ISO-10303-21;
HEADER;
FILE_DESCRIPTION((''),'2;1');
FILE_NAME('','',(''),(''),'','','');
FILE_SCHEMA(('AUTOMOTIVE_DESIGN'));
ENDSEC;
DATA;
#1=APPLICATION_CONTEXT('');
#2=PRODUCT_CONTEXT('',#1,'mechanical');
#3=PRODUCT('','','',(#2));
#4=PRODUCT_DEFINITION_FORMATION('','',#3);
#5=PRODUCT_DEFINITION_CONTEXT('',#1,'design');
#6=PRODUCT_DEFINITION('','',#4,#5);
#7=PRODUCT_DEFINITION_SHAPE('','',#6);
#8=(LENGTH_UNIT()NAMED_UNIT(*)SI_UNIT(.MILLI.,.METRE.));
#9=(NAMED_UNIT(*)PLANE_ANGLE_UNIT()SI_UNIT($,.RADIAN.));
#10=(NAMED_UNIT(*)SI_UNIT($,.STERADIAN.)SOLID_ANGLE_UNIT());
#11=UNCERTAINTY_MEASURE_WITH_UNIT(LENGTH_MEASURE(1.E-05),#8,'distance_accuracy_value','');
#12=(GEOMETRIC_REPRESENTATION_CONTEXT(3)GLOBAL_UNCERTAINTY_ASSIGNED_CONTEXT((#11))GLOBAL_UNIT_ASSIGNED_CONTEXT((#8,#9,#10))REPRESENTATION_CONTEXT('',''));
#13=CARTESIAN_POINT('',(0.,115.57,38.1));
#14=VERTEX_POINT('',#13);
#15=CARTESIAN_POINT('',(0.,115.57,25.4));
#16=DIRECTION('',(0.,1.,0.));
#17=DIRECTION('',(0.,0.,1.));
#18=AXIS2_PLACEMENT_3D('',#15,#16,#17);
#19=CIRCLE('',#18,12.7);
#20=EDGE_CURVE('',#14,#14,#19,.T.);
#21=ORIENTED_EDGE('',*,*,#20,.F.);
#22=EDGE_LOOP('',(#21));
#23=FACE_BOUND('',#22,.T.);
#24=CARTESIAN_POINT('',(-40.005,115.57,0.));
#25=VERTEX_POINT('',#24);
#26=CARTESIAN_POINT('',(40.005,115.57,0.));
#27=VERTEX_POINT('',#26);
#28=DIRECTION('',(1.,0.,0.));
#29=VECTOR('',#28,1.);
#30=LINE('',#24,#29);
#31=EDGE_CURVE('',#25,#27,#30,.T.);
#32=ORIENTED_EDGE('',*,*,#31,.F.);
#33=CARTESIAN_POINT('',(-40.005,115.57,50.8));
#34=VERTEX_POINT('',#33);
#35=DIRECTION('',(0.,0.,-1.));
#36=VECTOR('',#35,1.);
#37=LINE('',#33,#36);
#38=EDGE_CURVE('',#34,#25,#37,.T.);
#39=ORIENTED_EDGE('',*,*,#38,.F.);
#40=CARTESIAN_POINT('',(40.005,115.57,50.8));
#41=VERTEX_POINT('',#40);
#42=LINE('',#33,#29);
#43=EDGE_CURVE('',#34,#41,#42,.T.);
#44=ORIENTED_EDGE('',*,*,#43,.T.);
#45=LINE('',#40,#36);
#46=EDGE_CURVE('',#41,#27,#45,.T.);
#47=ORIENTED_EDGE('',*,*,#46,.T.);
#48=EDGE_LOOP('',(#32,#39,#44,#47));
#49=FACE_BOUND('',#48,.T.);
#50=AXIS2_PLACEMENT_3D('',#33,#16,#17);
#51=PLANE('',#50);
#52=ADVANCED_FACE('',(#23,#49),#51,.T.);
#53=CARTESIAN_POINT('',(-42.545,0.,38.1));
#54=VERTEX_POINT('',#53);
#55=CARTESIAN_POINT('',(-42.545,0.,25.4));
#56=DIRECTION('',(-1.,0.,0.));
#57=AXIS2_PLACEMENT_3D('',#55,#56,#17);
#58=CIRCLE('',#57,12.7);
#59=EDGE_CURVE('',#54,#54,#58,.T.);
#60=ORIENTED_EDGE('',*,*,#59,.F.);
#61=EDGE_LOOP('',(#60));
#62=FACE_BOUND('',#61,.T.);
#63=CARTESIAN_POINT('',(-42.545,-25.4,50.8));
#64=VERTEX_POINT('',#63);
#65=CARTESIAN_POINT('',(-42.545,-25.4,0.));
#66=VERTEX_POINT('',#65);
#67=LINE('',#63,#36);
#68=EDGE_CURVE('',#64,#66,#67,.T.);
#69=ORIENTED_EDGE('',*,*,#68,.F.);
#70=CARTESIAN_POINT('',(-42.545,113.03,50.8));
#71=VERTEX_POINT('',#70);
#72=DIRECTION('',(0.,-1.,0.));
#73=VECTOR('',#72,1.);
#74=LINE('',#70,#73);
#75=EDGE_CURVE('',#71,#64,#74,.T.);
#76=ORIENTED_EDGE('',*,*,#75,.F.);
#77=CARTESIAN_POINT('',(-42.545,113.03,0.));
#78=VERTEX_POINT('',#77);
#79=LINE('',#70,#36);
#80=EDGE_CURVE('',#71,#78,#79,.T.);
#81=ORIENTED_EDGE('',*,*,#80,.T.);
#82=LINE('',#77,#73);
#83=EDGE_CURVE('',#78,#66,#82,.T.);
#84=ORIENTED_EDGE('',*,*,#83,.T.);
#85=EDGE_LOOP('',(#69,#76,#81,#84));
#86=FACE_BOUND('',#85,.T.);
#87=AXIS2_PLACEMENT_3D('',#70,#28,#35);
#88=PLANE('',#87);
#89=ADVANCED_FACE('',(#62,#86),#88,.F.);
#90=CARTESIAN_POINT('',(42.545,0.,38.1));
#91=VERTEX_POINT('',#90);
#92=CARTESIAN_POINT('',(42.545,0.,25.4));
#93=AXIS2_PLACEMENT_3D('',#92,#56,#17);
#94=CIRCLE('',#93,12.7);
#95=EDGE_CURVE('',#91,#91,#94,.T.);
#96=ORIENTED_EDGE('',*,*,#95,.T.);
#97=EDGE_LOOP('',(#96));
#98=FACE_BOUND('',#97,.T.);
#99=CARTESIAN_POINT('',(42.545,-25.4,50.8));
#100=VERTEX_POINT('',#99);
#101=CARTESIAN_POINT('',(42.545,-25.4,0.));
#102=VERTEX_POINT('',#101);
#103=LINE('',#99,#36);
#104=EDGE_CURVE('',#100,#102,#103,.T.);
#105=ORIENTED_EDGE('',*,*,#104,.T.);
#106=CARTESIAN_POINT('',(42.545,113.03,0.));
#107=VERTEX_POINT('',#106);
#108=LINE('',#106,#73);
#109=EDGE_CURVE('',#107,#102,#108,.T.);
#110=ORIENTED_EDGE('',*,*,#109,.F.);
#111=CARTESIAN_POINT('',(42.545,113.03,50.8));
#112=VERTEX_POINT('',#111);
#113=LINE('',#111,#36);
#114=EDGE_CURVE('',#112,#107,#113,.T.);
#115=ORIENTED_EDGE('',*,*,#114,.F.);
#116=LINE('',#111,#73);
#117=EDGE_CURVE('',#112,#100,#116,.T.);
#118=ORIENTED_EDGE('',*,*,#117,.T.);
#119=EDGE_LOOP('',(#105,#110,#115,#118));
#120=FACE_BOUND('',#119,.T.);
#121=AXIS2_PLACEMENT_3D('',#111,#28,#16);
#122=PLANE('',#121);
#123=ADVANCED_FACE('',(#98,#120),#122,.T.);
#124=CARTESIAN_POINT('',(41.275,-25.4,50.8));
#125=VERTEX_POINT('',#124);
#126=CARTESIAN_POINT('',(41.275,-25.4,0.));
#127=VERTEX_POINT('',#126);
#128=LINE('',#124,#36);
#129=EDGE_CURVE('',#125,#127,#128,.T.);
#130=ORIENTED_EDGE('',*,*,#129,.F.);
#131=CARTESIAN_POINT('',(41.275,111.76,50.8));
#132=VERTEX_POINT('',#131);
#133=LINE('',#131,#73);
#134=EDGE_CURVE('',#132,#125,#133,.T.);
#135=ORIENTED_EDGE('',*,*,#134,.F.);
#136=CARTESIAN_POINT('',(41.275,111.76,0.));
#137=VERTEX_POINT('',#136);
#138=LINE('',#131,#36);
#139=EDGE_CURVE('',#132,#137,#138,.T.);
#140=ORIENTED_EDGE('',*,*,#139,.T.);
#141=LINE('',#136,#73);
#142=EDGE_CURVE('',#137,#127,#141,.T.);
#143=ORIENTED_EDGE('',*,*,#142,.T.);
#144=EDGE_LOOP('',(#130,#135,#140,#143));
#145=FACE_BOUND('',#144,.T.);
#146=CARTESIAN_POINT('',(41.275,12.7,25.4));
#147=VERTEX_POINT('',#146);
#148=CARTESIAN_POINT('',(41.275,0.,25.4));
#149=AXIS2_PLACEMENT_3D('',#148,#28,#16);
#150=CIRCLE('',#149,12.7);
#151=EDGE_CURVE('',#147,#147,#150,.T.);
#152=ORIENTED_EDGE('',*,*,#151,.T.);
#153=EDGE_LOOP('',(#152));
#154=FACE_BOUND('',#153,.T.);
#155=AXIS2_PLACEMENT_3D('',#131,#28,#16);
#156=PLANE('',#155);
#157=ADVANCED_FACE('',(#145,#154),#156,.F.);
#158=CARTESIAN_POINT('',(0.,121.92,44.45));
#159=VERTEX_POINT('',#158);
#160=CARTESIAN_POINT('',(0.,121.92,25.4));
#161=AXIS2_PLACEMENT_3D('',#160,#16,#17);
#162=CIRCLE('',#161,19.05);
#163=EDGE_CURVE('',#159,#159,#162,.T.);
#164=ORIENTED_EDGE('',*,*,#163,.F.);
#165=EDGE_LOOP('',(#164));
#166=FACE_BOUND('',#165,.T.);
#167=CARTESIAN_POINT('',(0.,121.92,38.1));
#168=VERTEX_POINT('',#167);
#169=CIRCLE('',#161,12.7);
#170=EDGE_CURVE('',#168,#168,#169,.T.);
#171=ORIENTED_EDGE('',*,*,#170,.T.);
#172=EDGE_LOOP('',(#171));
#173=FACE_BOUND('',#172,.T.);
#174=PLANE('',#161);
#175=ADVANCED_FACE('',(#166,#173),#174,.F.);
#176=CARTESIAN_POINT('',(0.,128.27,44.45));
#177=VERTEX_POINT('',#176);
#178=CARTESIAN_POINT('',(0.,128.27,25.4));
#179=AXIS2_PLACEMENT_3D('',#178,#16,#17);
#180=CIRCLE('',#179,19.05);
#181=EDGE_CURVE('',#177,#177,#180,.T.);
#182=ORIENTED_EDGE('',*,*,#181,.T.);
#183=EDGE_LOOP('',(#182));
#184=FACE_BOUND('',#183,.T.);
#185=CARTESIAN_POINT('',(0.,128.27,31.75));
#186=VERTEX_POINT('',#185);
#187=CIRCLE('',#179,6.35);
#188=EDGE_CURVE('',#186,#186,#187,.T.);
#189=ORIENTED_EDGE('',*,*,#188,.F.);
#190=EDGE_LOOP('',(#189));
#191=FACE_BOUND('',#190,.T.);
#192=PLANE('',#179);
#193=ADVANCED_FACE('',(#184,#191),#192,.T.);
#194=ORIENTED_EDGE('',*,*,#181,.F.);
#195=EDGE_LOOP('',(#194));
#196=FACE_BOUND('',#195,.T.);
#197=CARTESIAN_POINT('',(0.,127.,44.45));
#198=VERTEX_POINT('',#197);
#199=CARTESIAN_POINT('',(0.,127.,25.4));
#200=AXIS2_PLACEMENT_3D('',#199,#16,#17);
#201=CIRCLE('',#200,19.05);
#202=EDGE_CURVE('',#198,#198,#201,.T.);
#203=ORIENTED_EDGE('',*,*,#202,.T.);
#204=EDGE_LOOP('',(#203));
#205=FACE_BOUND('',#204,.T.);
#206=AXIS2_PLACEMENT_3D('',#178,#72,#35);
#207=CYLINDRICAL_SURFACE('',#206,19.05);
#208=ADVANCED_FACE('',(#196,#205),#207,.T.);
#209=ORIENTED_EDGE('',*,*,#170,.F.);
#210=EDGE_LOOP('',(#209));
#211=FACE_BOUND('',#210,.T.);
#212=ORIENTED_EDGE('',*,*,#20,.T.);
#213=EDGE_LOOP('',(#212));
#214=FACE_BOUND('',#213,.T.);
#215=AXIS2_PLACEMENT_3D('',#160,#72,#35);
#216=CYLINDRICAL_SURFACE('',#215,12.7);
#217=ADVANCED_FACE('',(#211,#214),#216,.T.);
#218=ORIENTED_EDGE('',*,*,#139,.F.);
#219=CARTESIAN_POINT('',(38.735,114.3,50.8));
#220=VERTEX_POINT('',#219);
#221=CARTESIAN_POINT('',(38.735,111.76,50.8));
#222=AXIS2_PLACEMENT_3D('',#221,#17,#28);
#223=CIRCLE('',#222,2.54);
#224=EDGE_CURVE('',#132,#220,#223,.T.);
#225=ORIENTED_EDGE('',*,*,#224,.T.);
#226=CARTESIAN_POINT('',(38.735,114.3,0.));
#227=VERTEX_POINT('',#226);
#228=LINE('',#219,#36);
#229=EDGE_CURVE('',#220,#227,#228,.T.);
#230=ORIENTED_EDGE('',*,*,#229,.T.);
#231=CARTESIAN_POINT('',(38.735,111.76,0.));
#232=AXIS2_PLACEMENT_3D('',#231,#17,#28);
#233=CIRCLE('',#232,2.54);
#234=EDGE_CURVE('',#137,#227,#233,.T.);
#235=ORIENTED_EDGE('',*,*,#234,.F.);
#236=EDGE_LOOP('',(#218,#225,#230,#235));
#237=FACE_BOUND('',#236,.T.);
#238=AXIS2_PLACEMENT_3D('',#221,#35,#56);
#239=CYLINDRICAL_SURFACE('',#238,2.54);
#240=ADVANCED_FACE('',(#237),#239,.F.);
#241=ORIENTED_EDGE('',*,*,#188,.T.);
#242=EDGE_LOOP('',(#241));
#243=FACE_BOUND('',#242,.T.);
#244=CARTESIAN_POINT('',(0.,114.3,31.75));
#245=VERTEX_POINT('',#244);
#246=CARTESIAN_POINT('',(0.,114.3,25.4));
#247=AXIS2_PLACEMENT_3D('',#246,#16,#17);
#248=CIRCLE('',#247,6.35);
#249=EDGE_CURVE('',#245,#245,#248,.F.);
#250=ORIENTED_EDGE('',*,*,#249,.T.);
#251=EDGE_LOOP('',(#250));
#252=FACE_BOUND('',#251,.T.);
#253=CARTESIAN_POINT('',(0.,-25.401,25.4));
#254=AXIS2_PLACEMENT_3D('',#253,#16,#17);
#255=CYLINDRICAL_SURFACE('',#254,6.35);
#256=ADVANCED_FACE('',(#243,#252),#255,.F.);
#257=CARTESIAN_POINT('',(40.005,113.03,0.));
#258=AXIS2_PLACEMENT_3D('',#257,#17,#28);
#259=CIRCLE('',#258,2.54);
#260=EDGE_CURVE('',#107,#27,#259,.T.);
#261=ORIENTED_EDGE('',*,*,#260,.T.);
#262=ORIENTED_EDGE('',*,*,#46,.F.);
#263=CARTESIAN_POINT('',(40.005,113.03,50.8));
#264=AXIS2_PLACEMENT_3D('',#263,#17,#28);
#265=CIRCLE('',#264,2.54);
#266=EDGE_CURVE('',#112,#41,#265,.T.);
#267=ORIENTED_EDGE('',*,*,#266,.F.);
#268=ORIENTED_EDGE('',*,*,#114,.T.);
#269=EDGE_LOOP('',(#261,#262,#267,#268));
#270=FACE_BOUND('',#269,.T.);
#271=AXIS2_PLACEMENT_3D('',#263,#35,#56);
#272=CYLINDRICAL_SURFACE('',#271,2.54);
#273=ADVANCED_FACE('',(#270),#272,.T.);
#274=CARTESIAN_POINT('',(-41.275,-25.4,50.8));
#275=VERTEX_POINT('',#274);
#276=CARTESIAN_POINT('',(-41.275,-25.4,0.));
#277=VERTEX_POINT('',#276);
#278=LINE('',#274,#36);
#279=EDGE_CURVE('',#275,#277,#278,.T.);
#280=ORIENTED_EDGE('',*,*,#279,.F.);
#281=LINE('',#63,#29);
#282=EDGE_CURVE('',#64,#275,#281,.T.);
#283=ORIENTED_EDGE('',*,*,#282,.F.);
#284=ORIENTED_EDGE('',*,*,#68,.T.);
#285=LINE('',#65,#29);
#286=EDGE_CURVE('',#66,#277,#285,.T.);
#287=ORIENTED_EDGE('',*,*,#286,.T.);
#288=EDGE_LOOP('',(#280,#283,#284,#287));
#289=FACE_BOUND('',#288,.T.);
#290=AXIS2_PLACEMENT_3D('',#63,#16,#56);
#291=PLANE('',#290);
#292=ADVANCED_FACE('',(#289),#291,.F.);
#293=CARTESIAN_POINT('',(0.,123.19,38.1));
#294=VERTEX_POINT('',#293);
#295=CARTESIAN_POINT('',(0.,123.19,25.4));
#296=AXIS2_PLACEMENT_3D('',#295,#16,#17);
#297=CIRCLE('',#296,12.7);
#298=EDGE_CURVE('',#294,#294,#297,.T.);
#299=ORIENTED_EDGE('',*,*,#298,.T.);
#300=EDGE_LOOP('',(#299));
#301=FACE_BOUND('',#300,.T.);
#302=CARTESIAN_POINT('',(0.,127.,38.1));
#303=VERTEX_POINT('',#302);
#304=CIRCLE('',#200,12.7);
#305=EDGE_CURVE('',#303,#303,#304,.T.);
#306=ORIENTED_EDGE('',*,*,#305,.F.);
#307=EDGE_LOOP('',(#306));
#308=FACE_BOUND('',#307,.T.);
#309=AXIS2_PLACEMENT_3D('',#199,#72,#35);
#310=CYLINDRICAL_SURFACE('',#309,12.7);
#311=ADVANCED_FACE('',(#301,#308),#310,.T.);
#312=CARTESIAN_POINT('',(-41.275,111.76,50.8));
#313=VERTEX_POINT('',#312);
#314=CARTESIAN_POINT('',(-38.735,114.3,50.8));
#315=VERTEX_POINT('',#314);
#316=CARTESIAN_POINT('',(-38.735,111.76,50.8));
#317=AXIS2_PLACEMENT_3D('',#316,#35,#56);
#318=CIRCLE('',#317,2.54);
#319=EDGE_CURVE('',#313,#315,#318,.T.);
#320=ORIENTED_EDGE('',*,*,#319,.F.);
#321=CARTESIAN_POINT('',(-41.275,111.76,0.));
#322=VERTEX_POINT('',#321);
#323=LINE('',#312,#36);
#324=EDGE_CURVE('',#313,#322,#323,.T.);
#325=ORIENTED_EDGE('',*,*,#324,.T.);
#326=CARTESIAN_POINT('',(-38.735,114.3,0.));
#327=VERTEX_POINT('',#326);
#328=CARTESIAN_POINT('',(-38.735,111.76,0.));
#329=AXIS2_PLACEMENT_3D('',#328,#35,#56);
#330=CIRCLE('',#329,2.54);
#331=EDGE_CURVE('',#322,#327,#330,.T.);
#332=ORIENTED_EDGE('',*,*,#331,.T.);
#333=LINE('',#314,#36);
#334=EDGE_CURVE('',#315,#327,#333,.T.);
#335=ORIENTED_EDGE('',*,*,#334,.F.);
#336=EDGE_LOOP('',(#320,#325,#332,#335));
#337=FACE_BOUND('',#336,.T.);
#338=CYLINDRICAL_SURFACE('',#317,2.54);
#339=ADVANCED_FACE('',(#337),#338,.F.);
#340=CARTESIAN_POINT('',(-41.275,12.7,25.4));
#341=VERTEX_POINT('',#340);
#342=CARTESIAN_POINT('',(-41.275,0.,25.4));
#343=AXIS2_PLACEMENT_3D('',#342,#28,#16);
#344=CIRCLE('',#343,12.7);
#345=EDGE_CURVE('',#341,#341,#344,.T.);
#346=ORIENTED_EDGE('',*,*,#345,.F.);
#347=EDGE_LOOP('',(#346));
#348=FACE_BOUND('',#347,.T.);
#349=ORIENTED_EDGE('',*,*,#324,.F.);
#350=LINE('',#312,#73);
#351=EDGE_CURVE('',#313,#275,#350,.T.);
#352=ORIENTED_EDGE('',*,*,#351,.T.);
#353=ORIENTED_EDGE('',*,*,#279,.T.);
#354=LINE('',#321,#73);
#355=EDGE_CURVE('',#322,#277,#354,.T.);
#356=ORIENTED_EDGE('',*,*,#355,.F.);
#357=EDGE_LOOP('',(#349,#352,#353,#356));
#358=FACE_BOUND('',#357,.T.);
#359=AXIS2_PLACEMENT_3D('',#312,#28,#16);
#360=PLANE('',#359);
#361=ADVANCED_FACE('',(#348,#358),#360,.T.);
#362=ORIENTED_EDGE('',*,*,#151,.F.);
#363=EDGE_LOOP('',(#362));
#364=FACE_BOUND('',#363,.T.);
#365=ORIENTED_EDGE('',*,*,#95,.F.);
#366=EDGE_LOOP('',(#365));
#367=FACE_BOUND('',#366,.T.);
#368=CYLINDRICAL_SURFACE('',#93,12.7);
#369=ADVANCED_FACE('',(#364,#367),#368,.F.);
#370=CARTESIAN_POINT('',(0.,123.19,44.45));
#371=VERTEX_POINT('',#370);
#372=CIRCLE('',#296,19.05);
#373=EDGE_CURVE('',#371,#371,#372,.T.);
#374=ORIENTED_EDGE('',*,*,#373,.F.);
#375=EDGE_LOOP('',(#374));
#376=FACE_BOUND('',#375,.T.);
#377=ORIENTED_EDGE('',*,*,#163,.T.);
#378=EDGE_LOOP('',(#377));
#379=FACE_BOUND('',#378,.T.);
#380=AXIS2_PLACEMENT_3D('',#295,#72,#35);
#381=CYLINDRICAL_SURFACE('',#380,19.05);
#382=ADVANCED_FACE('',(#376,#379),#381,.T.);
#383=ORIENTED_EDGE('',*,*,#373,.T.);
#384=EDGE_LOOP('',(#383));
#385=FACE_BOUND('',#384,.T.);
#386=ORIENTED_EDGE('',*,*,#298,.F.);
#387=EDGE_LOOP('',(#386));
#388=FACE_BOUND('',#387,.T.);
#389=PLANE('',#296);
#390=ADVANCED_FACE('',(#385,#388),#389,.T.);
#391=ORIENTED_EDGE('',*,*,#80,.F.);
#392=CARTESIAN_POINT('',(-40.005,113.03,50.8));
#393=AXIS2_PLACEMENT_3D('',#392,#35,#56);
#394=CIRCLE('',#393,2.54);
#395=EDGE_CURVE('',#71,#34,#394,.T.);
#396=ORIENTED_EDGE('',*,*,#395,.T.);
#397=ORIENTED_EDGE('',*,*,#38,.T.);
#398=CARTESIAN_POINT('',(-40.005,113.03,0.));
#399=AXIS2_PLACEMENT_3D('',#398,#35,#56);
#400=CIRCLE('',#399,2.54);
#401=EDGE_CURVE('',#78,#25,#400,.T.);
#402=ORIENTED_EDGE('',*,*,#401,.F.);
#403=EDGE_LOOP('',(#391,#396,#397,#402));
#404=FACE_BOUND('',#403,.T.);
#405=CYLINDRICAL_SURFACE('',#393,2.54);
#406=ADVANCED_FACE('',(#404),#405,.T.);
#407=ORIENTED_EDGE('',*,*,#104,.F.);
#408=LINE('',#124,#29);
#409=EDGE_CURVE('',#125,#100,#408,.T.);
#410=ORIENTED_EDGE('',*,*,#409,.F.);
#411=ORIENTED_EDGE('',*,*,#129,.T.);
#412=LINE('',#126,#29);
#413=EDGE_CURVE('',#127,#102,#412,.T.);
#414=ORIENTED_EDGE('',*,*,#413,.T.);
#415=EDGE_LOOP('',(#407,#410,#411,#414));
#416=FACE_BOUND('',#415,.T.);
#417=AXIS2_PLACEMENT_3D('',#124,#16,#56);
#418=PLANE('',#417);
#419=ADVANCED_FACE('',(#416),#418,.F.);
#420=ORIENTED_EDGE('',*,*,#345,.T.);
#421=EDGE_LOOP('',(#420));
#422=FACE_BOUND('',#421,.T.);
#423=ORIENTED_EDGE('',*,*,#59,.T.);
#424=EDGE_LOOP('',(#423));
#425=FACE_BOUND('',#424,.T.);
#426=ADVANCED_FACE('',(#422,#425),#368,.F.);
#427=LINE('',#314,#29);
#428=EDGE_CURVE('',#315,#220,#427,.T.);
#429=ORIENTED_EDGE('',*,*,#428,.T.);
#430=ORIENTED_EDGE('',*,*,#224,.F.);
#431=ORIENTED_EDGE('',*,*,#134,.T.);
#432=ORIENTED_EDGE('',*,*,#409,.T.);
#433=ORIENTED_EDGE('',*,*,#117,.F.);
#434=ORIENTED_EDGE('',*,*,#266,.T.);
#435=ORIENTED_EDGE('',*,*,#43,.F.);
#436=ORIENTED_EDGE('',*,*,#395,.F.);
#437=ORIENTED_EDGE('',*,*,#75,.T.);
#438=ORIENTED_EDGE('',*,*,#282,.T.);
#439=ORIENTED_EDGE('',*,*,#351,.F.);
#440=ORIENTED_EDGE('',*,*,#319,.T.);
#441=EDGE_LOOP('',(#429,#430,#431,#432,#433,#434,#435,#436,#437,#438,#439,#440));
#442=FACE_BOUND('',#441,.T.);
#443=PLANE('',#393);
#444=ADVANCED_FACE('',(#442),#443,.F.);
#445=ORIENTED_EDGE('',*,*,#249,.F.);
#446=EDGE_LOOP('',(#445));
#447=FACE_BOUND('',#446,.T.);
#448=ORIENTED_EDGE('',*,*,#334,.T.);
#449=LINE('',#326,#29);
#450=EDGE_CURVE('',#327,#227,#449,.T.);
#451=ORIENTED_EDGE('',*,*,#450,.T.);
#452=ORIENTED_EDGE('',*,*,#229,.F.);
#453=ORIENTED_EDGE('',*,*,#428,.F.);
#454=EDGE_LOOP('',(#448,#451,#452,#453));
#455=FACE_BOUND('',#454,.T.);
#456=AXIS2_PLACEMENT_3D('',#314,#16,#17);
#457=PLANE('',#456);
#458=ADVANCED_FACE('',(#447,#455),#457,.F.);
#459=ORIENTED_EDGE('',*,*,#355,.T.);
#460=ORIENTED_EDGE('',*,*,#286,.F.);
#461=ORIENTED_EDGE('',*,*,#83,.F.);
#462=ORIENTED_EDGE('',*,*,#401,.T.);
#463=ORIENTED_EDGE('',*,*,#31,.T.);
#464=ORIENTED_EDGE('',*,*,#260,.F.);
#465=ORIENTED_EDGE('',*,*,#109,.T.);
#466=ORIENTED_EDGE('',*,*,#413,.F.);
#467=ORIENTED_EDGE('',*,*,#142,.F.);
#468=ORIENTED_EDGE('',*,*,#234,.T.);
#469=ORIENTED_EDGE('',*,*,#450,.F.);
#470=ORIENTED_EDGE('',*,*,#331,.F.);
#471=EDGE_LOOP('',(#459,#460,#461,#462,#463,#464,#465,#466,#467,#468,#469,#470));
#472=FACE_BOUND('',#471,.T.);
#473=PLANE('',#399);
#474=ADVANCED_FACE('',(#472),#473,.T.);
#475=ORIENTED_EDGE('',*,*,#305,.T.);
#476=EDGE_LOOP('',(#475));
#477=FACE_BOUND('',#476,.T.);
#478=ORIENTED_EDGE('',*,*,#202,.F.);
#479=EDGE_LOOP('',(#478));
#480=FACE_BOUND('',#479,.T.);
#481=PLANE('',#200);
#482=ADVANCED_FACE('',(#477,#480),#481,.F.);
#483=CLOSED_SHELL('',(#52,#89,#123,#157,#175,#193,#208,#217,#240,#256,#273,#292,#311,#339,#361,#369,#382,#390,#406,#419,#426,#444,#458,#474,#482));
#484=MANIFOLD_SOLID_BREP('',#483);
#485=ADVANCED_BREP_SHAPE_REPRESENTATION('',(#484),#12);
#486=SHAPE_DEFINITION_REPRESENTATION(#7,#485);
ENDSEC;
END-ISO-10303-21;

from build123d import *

# Parameters (mm, degrees)
BOSS_EXTRUDE1_DEPTH         = 50.8
SKETCH2_R                   = 12.7
CUT_EXTRUDE1_DEPTH          = 86.09
SKETCH3_R                   = 12.7
BOSS_EXTRUDE2_DEPTH         = 6.35
SKETCH4_R                   = 19.05
BOSS_EXTRUDE3_DEPTH         = 1.27
CUT_EXTRUDE2_REACH          = 150.59
SKETCH5_R                   = 6.35
SKETCH6_R                   = 12.7
BOSS_EXTRUDE4_DEPTH         = 3.81
SKETCH7_R                   = 19.05
BOSS_EXTRUDE5_DEPTH         = 1.27
F_1_16_0_5_DIAMETER_HOLE1_D = 12.7


with BuildPart() as part:
    # Sketch1 → Boss-Extrude1 (new body)
    with BuildSketch(Plane.XY):
        with BuildLine():
            Line((42.545, 113.03), (42.545, -25.4))
            Line((42.545, -25.4), (41.275, -25.4))
            Line((41.275, -25.4), (41.275, 111.76))
            ThreePointArc((41.275, 111.76), (40.531051224, 113.556051224), (38.735, 114.3))
            Line((38.735, 114.3), (-38.735, 114.3))
            ThreePointArc((-38.735, 114.3), (-40.531051224, 113.556051224), (-41.275, 111.76))
            Line((-41.275, 111.76), (-41.275, -25.4))
            Line((-41.275, -25.4), (-42.545, -25.4))
            Line((-42.545, -25.4), (-42.545, 113.03))
            ThreePointArc((-42.545, 113.03), (-41.801051224, 114.826051224), (-40.005, 115.57))
            Line((-40.005, 115.57), (40.005, 115.57))
            ThreePointArc((40.005, 115.57), (41.801051224, 114.826051224), (42.545, 113.03))
        make_face()
    extrude(amount=BOSS_EXTRUDE1_DEPTH)

    # Sketch2 → Cut-Extrude1 (cut, through all)
    with BuildSketch(Plane.ZY.offset(42.545)):
        with Locations((25.4, 0)):
            Circle(SKETCH2_R)
    extrude(amount=-CUT_EXTRUDE1_DEPTH, mode=Mode.SUBTRACT)

    # Sketch3 → Boss-Extrude2 (add)
    with BuildSketch(Plane(origin=(0, 115.57, 0), x_dir=(1, 0, 0), z_dir=(0, 1, 0))):
        with Locations((0, -25.4)):
            Circle(SKETCH3_R)
    extrude(amount=BOSS_EXTRUDE2_DEPTH)

    # Sketch4 → Boss-Extrude3 (add)
    with BuildSketch(Plane(origin=(0, 121.92, 0), x_dir=(1, 0, 0), z_dir=(0, 1, 0))):
        with Locations((0, -25.4)):
            Circle(SKETCH4_R)
    extrude(amount=BOSS_EXTRUDE3_DEPTH)

    # Sketch5 → Cut-Extrude2 (cut, up to next)
    with BuildSketch(Plane(origin=(0, 123.19, 0), x_dir=(1, 0, 0), z_dir=(0, 1, 0)), mode=Mode.PRIVATE) as cut_extrude2_sk1:
        with Locations((0, -25.4)):
            Circle(SKETCH5_R)
    cut_extrude2_tool1 = extrude(cut_extrude2_sk1.sketch, amount=-CUT_EXTRUDE2_REACH, mode=Mode.PRIVATE) & part.part
    add(cut_extrude2_tool1.solids().sort_by_distance((0, 123.19, 25.4))[0], mode=Mode.SUBTRACT)

    # Sketch6 → Boss-Extrude4 (add)
    with BuildSketch(Plane(origin=(0, 123.19, 0), x_dir=(1, 0, 0), z_dir=(0, 1, 0))):
        with Locations((0, -25.4)):
            Circle(SKETCH6_R)
    extrude(amount=BOSS_EXTRUDE4_DEPTH)

    # Sketch7 → Boss-Extrude5 (add)
    with BuildSketch(Plane(origin=(0, 127, 0), x_dir=(1, 0, 0), z_dir=(0, 1, 0))):
        with Locations((0, -25.4)):
            Circle(SKETCH7_R)
    extrude(amount=BOSS_EXTRUDE5_DEPTH)

    # 1/16 (0.5) Diameter Hole1 (through all)
    with Locations(Plane(origin=(0, 128.27, 0), x_dir=(1, 0, 0), z_dir=(0, 1, 0))):
        with Locations((0, -25.4)):
            Hole(F_1_16_0_5_DIAMETER_HOLE1_D / 2)


solid = part.part
